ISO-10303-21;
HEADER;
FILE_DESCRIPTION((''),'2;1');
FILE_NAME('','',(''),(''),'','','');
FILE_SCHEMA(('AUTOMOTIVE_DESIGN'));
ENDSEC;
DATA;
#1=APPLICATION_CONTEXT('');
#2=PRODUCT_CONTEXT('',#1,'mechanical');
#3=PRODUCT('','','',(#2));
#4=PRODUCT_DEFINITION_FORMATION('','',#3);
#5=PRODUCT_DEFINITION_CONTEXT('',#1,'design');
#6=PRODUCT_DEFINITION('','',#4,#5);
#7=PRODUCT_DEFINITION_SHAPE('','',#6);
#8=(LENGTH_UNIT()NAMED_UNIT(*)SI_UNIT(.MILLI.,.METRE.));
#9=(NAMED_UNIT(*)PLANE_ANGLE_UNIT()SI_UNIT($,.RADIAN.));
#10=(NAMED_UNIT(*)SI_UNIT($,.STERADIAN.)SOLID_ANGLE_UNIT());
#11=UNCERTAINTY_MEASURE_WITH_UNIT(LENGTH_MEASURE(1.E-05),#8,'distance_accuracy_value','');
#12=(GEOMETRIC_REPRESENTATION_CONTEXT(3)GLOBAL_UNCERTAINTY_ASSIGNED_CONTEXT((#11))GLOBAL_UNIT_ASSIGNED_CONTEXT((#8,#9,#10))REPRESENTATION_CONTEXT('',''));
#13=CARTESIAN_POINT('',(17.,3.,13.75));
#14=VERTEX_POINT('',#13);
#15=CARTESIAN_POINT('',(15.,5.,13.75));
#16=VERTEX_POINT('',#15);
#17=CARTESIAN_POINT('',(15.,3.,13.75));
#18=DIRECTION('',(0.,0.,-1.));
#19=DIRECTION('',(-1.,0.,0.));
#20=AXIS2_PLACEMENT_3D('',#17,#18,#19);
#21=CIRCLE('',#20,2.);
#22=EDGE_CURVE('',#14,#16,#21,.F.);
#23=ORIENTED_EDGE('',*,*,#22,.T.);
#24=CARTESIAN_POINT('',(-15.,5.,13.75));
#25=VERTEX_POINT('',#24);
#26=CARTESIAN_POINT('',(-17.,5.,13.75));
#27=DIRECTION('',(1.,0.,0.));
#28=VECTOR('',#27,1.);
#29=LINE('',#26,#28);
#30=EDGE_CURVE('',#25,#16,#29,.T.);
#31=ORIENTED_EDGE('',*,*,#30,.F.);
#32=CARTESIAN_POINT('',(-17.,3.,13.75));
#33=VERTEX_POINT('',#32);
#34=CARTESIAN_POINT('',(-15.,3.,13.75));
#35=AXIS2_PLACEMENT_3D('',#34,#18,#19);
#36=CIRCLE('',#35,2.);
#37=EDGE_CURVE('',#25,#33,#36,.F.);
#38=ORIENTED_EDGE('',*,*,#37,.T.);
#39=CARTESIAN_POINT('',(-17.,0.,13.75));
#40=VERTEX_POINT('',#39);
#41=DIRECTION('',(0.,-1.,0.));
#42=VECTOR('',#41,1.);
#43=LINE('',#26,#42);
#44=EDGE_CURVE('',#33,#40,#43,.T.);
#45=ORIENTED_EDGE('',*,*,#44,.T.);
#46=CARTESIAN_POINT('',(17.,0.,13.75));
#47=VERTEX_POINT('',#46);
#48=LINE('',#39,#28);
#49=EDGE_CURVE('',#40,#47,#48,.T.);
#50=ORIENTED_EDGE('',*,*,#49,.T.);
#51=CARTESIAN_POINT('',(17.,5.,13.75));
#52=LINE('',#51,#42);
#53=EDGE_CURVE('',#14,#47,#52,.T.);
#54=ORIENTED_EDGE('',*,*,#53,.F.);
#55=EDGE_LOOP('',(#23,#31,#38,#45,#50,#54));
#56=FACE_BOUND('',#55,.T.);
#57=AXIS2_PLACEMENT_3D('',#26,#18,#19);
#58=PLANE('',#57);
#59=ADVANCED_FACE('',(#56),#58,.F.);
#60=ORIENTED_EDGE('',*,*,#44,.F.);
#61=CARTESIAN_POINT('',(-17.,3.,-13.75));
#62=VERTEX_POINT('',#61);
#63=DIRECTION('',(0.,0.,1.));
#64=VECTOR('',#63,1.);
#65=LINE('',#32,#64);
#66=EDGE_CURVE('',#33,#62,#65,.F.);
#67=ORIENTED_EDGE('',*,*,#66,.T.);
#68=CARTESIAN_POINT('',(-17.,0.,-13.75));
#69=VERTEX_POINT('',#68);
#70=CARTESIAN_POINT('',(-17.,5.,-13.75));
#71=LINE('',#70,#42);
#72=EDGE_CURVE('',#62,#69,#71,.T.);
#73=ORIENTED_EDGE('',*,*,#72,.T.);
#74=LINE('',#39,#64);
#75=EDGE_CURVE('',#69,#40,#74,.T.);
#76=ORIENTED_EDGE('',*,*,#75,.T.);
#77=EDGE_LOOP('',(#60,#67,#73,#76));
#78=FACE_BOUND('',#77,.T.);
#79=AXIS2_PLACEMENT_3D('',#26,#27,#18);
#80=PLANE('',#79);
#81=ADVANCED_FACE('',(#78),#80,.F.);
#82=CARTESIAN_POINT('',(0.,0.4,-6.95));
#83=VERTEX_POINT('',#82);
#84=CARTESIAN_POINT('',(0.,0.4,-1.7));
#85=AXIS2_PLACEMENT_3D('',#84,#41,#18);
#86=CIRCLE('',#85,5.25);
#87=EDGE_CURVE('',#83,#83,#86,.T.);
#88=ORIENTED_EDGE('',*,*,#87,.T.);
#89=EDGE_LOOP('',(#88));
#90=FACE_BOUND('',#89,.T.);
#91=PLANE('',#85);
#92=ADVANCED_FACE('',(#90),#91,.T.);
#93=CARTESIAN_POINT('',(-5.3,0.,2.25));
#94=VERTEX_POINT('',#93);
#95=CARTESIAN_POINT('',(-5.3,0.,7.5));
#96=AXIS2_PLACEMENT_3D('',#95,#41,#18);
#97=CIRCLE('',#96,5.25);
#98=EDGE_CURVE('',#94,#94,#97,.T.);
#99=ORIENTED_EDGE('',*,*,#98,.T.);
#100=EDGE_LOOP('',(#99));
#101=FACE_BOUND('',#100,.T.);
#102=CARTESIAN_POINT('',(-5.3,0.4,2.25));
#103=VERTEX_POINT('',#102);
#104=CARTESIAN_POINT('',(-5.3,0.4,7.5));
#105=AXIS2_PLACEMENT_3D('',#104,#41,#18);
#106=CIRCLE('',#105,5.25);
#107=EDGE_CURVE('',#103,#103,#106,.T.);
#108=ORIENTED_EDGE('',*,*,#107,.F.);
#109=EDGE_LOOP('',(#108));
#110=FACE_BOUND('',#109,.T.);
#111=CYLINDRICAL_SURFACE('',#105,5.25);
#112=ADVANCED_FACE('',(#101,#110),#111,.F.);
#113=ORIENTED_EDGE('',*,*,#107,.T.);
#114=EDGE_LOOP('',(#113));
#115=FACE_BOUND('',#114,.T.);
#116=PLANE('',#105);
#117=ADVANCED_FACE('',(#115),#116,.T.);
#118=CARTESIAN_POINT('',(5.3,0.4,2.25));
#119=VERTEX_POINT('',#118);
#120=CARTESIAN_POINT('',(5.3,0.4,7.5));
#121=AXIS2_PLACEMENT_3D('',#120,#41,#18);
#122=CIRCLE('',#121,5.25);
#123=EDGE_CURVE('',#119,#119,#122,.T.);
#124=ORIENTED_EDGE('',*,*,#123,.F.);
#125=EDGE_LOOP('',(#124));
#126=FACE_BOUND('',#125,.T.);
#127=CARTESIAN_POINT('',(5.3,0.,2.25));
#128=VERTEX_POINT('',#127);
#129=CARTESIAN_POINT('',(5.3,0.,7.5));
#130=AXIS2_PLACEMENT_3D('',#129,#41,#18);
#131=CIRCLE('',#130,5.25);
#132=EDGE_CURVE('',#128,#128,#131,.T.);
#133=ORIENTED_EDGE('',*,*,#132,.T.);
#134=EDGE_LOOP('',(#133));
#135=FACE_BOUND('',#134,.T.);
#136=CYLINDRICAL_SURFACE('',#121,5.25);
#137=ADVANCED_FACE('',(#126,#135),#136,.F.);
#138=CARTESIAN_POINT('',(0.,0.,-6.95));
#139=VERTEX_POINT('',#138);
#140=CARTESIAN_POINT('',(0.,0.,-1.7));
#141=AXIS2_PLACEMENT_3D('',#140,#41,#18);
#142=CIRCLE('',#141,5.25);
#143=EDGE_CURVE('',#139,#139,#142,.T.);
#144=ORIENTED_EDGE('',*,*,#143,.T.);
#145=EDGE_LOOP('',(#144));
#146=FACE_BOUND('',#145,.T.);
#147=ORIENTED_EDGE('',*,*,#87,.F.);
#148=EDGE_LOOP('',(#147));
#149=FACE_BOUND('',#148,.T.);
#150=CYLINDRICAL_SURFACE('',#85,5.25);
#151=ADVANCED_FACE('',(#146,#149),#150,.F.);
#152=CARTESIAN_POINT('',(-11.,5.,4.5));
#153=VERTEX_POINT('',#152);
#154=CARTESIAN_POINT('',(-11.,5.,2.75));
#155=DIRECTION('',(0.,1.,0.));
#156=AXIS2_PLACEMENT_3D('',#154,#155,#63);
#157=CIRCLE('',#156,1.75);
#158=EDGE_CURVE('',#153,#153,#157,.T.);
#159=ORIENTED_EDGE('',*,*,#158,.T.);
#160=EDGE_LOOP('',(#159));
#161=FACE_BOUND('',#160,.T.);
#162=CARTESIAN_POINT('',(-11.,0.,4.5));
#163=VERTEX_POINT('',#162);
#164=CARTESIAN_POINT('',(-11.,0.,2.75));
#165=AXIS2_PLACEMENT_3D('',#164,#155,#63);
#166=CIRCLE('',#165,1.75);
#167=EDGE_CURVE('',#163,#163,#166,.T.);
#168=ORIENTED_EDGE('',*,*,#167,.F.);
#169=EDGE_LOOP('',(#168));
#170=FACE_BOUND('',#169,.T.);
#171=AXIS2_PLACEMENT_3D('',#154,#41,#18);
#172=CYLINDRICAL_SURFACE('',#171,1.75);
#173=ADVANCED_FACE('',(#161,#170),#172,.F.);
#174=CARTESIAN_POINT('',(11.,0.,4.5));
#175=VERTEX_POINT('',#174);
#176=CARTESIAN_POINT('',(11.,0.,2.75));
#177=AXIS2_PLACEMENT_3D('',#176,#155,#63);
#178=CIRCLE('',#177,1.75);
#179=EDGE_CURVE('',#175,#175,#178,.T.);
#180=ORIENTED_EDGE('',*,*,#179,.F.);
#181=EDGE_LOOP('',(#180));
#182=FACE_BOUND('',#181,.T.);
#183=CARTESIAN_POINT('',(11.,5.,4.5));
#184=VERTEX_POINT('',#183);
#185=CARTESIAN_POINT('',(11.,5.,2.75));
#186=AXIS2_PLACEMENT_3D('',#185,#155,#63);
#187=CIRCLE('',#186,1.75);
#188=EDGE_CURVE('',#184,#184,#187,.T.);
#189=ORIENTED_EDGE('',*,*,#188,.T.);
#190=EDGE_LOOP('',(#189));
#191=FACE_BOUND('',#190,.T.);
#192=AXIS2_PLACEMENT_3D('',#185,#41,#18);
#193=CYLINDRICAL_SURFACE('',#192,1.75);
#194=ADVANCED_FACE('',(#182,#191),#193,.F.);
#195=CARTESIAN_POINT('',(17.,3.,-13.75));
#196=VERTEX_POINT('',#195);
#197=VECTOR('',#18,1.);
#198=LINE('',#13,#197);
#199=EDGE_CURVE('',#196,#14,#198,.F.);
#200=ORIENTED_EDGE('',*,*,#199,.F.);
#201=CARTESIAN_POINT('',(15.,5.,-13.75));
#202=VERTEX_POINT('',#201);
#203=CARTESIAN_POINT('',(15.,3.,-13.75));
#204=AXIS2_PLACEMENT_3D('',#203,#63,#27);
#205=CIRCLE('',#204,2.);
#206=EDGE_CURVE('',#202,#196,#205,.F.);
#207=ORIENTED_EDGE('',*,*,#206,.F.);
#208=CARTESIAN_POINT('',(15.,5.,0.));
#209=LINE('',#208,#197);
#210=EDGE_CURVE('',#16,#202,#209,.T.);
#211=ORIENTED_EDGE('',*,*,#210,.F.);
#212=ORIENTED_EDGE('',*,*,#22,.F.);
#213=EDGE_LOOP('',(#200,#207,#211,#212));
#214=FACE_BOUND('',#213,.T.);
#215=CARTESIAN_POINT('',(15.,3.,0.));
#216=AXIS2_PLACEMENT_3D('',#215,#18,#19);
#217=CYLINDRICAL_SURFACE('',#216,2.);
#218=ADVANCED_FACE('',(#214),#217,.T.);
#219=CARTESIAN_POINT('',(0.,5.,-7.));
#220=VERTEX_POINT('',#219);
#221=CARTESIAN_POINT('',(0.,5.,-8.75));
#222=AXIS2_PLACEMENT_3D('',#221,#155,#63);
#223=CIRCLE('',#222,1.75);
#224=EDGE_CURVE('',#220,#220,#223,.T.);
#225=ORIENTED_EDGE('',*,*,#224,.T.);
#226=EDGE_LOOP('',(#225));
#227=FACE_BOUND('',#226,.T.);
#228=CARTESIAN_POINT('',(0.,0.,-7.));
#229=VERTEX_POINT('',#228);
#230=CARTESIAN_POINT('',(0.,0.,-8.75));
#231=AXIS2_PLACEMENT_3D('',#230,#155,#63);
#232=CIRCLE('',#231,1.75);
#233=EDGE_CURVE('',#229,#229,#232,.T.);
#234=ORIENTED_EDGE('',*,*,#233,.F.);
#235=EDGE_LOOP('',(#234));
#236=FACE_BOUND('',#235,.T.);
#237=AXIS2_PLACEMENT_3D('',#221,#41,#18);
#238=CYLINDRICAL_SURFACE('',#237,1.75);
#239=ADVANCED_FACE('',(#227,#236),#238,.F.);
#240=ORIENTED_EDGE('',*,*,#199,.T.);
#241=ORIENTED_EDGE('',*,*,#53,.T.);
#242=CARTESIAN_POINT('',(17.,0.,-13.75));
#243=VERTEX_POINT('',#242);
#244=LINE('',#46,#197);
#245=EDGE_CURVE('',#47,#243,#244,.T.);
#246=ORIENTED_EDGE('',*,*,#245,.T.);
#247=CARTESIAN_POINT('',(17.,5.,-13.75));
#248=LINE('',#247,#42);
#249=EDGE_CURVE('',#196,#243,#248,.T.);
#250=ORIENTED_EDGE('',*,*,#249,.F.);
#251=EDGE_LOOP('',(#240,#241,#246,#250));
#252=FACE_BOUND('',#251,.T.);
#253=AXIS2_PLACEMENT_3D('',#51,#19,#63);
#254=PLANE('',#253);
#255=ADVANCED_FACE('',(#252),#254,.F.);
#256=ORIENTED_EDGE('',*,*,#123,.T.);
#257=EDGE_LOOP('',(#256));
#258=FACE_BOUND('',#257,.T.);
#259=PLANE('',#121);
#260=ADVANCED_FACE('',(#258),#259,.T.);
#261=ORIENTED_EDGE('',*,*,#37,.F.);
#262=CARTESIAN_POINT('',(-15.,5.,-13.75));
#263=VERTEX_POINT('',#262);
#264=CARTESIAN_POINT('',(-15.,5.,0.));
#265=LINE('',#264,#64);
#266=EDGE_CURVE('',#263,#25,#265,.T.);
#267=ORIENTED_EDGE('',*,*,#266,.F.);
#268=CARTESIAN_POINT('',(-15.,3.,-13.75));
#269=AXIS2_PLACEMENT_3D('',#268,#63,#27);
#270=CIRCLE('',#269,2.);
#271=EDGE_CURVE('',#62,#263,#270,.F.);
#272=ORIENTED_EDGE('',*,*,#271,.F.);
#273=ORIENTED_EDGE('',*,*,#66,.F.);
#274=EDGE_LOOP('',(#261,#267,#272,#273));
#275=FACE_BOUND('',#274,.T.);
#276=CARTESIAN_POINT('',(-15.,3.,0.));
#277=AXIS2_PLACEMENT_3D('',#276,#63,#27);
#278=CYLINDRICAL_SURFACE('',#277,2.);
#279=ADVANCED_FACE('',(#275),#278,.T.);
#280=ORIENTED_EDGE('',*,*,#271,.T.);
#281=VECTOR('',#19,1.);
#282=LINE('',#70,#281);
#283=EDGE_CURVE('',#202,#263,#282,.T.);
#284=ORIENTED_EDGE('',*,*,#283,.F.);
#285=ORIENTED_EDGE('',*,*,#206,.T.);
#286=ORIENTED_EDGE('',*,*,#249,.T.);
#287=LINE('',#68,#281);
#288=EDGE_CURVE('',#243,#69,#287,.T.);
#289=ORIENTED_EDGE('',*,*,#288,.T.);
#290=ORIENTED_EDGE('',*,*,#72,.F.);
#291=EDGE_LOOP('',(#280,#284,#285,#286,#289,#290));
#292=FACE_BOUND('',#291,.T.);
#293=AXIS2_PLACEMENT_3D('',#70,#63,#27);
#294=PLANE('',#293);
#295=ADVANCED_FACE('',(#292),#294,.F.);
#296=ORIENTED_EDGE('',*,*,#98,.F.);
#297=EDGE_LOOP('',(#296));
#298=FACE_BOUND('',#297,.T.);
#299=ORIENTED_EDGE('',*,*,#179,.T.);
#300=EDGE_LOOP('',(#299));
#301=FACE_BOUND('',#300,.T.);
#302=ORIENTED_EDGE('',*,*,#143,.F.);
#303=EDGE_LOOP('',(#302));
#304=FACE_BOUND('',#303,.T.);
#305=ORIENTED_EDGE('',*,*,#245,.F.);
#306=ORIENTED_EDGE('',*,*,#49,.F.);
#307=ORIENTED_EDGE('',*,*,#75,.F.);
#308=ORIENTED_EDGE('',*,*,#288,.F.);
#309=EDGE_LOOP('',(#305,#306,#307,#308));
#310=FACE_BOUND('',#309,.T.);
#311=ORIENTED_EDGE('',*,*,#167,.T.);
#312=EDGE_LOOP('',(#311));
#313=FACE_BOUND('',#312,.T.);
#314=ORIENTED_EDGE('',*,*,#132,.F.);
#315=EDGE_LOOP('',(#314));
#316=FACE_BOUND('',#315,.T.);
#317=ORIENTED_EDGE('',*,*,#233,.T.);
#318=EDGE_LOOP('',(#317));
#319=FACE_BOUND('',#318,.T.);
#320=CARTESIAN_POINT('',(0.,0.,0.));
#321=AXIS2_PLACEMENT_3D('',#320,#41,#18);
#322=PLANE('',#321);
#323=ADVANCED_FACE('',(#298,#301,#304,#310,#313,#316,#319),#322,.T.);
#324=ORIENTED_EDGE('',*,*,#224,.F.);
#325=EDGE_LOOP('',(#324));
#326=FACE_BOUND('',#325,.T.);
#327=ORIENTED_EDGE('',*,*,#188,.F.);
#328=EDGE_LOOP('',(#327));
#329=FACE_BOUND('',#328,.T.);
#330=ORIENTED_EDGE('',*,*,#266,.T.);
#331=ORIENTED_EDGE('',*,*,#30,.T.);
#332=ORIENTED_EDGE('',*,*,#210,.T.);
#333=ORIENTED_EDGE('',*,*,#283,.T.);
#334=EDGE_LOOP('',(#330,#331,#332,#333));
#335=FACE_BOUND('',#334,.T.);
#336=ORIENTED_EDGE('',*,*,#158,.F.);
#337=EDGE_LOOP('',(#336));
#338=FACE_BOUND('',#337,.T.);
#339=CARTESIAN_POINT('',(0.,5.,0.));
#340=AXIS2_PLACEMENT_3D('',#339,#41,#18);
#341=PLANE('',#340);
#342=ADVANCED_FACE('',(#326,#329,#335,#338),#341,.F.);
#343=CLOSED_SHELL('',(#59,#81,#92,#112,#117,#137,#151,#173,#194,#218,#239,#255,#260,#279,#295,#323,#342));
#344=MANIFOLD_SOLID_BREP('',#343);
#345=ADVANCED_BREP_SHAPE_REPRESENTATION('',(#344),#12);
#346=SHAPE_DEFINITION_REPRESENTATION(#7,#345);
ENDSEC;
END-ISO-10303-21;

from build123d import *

# Parameters (mm, degrees)
SKETCH1_W           = 34
SKETCH1_H           = 27.5
SKETCH1_R           = 1.75
BOSS_EXTRUDE1_DEPTH = 5
FILLET1_R           = 2
SKETCH2_R           = 5.25
CUT_EXTRUDE1_DEPTH  = 0.4


with BuildPart() as part:
    # Sketch1 → Boss-Extrude1 (new body)
    with BuildSketch(Plane(origin=(0, 0, 0), x_dir=(1, 0, 0), z_dir=(0, 1, 0))):
        Rectangle(SKETCH1_W, SKETCH1_H)
        with Locations(Location((0, 8.75, 0), (0, 0, 270))):
            Circle(SKETCH1_R, mode=Mode.SUBTRACT)
        with Locations(Location((-11, -2.75, 0), (0, 0, 270))):
            Circle(SKETCH1_R, mode=Mode.SUBTRACT)
        with Locations(Location((11, -2.75, 0), (0, 0, 270))):
            Circle(SKETCH1_R, mode=Mode.SUBTRACT)
    extrude(amount=BOSS_EXTRUDE1_DEPTH)

    # Fillet1
    fillet1_edges = [part.edges().sort_by_distance(p)[0] for p in [
        (-17, 5, 0),
        (17, 5, 0),
    ]]
    fillet(fillet1_edges, radius=FILLET1_R)

    # Sketch2 → Cut-Extrude1 (cut)
    with BuildSketch(Plane.XZ):
        with Locations(Location((-5.3, 7.5, 0), (0, 0, 270))):
            Circle(SKETCH2_R)
        with Locations(Location((5.3, 7.5, 0), (0, 0, 270))):
            Circle(SKETCH2_R)
        with Locations(Location((0, -1.7, 0), (0, 0, 270))):
            Circle(SKETCH2_R)
    extrude(amount=-CUT_EXTRUDE1_DEPTH, mode=Mode.SUBTRACT)


solid = part.part
